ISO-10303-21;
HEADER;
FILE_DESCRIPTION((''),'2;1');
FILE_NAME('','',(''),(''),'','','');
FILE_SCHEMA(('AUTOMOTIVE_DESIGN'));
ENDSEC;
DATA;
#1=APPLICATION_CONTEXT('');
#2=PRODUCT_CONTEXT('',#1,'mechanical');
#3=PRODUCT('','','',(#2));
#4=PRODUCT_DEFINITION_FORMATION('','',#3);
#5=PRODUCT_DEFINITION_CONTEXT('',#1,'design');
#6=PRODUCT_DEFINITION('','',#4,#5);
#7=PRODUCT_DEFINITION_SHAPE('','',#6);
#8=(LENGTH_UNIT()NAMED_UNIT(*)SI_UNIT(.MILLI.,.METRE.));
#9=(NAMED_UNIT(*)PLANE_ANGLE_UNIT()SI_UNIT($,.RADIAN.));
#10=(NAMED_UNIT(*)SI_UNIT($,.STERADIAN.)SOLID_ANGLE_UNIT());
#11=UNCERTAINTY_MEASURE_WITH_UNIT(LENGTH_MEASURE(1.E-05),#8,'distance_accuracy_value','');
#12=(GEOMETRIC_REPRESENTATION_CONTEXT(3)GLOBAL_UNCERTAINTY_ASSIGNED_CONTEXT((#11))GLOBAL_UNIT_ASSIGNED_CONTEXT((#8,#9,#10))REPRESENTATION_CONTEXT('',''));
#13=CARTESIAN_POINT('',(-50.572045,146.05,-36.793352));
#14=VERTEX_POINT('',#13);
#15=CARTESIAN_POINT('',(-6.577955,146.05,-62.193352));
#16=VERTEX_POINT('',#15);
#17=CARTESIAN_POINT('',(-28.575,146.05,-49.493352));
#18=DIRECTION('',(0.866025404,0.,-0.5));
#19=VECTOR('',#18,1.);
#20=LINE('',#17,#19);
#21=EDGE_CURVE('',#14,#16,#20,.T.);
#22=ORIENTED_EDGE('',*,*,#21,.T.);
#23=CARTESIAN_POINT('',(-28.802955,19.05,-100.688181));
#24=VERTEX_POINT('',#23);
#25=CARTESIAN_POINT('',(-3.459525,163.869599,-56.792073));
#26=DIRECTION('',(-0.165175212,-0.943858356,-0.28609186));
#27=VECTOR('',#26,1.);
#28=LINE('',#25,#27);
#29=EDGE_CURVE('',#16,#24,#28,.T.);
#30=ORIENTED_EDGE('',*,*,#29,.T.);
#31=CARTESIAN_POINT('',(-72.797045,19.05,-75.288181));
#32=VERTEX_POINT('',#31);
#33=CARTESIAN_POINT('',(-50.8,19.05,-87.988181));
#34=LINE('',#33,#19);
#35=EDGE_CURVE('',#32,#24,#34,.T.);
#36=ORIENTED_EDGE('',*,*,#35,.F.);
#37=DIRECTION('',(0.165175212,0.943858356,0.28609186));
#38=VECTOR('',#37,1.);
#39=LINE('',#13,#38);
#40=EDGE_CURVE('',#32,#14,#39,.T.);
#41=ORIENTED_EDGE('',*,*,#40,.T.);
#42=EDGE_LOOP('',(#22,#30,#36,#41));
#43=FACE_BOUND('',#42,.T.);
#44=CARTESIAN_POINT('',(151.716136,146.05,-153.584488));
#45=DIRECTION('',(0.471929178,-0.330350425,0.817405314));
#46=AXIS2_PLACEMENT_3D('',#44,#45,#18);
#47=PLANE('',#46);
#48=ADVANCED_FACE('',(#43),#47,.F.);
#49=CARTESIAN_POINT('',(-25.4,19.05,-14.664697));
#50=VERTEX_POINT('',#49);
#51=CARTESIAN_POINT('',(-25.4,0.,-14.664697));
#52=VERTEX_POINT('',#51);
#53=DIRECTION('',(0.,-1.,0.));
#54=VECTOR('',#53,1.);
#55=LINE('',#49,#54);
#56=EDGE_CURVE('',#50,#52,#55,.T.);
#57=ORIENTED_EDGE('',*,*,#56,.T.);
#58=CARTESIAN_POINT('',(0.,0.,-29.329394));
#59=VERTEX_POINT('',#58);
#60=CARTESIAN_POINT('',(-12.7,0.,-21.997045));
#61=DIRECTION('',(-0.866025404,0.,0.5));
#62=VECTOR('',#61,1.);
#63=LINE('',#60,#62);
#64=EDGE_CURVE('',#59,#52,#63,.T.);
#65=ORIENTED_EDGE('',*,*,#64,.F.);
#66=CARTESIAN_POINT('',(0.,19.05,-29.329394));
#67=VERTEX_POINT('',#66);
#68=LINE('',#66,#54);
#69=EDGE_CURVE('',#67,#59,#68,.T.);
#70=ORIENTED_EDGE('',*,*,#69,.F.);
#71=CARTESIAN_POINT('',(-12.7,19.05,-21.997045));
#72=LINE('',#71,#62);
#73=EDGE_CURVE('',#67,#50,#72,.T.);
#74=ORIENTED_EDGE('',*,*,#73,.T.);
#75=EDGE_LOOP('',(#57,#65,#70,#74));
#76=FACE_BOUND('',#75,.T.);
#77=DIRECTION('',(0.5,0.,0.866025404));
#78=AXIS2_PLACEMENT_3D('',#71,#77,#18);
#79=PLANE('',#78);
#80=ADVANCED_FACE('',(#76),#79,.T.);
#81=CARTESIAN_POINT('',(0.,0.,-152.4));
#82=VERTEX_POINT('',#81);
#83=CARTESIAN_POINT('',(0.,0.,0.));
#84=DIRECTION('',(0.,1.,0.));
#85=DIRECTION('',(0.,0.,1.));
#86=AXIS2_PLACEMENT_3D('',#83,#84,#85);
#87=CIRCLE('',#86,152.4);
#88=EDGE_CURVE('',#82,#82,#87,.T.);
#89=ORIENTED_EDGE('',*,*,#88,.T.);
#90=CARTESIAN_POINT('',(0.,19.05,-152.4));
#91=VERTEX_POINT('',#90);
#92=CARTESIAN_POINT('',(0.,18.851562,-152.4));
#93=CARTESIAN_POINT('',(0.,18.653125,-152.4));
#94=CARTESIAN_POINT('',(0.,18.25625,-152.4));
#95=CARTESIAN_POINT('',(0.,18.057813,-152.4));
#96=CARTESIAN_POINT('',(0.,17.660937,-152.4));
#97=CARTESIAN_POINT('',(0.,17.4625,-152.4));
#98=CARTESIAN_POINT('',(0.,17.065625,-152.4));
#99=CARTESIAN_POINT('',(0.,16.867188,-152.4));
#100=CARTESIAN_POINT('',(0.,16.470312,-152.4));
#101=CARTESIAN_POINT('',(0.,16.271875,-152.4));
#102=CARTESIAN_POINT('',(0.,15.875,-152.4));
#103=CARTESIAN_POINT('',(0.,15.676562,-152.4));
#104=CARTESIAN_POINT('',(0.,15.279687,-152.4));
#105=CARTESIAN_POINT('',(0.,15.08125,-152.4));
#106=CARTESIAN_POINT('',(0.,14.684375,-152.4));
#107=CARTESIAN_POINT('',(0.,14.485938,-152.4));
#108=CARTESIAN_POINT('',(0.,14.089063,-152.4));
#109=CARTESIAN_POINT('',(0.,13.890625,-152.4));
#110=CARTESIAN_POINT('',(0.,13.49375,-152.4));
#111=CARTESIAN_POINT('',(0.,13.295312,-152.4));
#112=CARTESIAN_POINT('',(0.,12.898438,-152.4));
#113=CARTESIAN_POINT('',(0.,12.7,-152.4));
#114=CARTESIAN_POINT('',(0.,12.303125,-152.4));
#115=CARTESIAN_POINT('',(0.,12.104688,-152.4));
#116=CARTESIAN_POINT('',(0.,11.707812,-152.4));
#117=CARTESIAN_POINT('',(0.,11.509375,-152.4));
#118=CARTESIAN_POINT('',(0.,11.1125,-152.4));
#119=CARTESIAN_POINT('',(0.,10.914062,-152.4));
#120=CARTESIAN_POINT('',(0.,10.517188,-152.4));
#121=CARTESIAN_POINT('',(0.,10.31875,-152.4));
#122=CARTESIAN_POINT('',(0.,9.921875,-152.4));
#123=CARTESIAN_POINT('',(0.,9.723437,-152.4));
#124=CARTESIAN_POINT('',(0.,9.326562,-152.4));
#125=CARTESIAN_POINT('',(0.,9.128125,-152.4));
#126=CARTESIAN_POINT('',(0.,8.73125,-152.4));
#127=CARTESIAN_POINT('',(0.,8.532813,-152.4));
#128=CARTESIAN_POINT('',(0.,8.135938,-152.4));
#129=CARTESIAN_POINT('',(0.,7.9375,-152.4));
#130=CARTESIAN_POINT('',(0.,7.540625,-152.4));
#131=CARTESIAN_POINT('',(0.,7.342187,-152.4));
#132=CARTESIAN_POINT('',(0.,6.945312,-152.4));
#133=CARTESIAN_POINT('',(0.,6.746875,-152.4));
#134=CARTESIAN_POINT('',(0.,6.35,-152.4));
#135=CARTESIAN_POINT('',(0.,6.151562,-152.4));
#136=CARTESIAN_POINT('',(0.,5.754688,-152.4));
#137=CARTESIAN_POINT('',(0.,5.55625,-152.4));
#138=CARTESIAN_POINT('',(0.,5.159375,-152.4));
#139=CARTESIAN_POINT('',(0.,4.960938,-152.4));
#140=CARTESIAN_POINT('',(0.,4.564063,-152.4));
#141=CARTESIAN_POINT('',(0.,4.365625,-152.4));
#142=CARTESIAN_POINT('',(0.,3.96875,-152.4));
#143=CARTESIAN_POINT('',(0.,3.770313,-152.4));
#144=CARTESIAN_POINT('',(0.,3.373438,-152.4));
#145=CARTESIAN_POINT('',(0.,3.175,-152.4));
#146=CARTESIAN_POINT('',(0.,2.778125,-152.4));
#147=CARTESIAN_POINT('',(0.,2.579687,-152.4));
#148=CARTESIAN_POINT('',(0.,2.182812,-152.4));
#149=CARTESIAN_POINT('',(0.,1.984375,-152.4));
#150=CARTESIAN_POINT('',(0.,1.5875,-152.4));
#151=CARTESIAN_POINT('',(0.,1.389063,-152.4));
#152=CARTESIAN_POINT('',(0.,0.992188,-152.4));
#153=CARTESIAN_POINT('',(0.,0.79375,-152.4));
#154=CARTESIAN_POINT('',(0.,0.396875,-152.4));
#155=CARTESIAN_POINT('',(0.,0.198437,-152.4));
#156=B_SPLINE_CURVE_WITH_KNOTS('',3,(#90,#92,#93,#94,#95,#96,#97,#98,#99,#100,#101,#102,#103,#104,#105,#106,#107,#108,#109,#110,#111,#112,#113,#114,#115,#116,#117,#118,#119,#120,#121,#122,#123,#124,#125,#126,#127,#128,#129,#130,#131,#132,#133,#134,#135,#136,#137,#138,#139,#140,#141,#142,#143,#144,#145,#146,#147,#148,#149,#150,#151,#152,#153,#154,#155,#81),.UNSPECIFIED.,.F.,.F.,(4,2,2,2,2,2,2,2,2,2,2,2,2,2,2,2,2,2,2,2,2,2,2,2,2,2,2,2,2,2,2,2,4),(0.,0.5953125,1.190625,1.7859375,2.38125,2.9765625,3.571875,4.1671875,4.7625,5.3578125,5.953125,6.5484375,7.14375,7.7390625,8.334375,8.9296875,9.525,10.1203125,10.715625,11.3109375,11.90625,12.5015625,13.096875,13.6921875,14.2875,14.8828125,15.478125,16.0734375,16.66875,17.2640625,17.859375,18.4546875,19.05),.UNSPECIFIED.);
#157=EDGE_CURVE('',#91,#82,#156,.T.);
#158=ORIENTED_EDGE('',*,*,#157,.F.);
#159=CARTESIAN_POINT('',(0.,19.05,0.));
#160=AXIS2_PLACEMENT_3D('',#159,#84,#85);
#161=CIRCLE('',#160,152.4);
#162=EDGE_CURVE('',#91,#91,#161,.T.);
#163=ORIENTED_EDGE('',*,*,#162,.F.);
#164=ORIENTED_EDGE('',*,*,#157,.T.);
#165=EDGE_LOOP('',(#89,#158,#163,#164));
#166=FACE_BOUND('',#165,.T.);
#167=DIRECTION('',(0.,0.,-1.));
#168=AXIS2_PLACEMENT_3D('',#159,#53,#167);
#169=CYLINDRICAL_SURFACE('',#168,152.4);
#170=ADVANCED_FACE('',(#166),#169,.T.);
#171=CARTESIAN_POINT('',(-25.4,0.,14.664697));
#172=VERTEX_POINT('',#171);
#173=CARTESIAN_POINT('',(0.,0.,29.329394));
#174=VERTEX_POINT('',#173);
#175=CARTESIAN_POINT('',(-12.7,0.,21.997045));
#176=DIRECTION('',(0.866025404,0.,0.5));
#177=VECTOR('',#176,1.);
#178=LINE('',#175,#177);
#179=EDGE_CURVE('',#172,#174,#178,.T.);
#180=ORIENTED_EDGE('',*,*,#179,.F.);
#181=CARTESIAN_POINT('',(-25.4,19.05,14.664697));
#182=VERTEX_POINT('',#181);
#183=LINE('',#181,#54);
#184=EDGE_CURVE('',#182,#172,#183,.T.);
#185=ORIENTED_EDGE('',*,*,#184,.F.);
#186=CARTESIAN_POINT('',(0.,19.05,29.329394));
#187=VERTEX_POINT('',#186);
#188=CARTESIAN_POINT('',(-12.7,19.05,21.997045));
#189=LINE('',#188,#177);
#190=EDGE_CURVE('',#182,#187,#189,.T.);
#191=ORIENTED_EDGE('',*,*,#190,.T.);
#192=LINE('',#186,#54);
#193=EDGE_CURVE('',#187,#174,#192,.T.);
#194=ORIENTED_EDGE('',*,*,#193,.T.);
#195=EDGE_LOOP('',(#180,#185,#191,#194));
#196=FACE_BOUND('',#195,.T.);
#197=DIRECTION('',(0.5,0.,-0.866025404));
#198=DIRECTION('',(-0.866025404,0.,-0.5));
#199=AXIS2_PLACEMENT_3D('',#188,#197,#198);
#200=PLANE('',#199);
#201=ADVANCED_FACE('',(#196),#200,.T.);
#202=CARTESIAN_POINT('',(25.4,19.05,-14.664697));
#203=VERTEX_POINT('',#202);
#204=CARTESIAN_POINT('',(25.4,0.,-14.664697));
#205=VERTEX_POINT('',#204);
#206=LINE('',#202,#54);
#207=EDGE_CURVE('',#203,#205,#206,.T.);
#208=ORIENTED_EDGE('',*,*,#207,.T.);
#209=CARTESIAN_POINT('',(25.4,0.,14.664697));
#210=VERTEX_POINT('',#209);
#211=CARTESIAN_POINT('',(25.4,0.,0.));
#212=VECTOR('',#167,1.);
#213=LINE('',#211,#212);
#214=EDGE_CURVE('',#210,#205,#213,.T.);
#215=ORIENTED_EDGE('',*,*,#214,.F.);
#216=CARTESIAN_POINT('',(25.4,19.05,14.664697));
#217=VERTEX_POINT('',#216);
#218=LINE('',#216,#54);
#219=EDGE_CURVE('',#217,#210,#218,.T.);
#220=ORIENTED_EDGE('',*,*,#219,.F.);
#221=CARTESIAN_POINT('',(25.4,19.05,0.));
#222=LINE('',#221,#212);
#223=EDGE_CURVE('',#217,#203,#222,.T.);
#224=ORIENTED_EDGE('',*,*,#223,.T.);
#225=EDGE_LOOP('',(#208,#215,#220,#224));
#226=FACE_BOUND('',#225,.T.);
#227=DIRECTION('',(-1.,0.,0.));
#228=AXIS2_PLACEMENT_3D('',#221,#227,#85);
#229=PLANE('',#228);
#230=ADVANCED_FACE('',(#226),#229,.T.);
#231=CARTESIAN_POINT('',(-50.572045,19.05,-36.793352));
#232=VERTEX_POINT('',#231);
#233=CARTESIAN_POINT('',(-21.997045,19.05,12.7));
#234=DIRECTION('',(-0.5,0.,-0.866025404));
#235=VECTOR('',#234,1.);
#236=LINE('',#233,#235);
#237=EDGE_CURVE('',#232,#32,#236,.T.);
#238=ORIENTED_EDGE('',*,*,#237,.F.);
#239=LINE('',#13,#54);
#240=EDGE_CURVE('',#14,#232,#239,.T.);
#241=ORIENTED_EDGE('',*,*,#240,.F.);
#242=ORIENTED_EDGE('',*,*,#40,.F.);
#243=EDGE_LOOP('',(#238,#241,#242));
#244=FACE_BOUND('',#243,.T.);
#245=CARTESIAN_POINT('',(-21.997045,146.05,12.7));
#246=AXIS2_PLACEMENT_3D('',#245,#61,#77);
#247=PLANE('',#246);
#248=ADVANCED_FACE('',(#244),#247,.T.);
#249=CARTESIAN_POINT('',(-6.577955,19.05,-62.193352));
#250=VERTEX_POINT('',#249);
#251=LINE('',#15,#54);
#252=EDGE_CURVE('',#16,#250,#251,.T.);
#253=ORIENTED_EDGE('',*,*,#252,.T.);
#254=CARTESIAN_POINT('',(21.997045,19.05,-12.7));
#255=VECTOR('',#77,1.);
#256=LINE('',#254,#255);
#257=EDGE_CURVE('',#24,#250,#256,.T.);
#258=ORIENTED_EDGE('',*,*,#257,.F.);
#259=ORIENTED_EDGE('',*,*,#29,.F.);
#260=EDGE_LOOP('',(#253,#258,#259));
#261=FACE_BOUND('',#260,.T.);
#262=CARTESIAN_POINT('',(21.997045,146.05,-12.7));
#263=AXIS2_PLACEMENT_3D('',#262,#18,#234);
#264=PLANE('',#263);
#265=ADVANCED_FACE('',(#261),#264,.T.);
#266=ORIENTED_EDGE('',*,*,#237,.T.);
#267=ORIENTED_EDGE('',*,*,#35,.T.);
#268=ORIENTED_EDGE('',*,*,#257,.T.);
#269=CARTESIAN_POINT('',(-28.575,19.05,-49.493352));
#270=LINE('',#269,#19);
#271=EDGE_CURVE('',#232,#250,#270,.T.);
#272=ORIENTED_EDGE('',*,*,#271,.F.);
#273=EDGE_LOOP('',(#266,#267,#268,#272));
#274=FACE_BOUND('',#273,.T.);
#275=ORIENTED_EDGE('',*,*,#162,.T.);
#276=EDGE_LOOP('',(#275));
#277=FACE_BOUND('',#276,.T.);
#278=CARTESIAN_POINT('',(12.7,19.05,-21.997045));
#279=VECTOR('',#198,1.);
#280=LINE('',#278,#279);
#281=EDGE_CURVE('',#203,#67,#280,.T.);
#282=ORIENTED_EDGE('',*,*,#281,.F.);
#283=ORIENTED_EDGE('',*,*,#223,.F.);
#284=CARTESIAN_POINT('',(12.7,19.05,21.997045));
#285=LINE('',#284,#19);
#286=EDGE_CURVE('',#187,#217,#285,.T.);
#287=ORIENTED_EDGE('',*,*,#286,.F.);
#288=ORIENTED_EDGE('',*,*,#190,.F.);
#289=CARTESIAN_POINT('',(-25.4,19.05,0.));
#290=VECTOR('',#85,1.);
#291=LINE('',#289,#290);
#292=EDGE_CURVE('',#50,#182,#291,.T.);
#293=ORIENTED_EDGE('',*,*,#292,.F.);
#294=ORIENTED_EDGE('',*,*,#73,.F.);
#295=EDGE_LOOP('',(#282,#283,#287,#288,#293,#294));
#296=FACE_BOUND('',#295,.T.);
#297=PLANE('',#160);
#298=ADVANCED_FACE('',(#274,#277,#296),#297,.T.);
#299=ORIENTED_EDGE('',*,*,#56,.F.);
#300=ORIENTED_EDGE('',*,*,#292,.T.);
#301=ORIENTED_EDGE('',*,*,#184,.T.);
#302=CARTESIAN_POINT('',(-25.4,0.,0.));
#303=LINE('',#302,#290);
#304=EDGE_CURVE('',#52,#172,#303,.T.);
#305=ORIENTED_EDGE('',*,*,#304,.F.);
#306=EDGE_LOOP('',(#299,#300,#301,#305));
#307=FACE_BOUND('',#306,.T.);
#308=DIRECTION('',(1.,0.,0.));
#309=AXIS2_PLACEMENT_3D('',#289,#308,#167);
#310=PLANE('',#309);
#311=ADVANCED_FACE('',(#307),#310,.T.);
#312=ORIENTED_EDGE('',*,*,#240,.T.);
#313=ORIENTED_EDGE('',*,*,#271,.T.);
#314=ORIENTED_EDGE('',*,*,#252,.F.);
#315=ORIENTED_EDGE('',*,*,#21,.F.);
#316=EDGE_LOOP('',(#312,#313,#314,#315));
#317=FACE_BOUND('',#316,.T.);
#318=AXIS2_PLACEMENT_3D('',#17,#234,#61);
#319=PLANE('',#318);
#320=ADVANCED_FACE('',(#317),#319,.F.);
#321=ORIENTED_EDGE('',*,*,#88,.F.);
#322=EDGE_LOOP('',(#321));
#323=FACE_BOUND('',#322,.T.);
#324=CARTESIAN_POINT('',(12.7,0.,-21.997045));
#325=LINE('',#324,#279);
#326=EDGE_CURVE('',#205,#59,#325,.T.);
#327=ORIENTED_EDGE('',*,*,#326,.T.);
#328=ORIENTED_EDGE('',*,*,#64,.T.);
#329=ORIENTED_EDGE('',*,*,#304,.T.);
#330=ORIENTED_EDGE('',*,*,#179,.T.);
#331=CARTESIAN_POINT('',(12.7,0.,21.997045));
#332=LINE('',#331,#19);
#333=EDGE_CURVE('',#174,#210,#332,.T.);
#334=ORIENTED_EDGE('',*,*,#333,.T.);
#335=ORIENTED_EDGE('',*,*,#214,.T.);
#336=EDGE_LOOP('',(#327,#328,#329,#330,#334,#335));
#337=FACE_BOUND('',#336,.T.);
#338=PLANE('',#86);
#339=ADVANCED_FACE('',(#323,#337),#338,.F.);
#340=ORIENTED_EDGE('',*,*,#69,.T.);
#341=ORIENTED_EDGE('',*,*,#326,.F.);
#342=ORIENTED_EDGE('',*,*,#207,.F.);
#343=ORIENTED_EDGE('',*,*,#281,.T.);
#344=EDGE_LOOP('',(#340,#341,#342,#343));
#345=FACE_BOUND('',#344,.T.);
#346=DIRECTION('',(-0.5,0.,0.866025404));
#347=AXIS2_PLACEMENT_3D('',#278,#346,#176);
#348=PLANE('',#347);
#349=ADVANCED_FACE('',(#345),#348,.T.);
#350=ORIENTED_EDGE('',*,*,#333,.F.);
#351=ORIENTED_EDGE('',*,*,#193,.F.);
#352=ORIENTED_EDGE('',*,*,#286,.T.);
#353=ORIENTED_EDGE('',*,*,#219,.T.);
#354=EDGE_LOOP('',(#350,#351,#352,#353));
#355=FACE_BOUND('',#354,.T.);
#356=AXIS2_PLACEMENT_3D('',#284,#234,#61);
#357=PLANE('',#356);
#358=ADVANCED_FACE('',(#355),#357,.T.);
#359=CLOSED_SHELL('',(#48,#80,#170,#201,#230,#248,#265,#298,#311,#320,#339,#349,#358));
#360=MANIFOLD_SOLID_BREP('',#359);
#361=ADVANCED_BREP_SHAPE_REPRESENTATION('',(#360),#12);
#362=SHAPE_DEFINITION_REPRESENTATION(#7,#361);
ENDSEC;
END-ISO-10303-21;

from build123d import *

# Parameters (mm, degrees)
BOSS_EXTRUDE1_DEPTH = 19.05
BOSS_EXTRUDE2_DEPTH = 127
CUT_EXTRUDE1_DEPTH  = 282.074619797


with BuildPart() as part:
    # Sketch2 → Boss-Extrude1 (new body)
    # profile 1 of 5: a face of its own
    with BuildSketch(Plane(origin=(0, 0, 0), x_dir=(1, 0, 0), z_dir=(0, 1, 0))):
        with BuildLine():
            ThreePointArc((-149.056021348, 31.75), (-151.561699735, 15.962805935), (-152.4, 0))
            Line((-152.4, 0), (-139.7, 0))
            Line((-139.7, 0), (-139.7, 31.75))
            Line((-139.7, 31.75), (-149.056021348, 31.75))
        make_face()
    # profile 2 of 5: a face of its own
    with BuildSketch(Plane(origin=(0, 0, 0), x_dir=(1, 0, 0), z_dir=(0, 1, 0))):
        with BuildLine():
            ThreePointArc((0, 152.4), (-15.962805935, 151.561699735), (-31.75, 149.056021348))
            Line((-31.75, 149.056021348), (-31.75, 139.7))
            Line((-31.75, 139.7), (0, 139.7))
            Line((0, 139.7), (0, 152.4))
        make_face()
    # profile 3 of 5: a face of its own
    with BuildSketch(Plane(origin=(0, 0, 0), x_dir=(1, 0, 0), z_dir=(0, 1, 0))):
        with BuildLine():
            Line((139.7, -31.75), (149.056021348, -31.75))
            ThreePointArc((149.056021348, -31.75), (151.561699735, -15.962805935), (152.4, 0))
            Line((152.4, 0), (139.7, 0))
            Line((139.7, 0), (139.7, -31.75))
        make_face()
    # profile 4 of 5: a face of its own
    with BuildSketch(Plane(origin=(0, 0, 0), x_dir=(1, 0, 0), z_dir=(0, 1, 0))):
        with BuildLine():
            Line((0, -139.7), (0, -152.4))
            ThreePointArc((0, -152.4), (15.962805935, -151.561699735), (31.75, -149.056021348))
            Line((31.75, -149.056021348), (31.75, -139.7))
            Line((31.75, -139.7), (0, -139.7))
        make_face()
    # profile 5 of 5: a face of its own
    with BuildSketch(Plane(origin=(0, 0, 0), x_dir=(1, 0, 0), z_dir=(0, 1, 0))):
        with BuildLine():
            Line((-139.7, 0), (-152.4, 0))
            ThreePointArc((-152.4, 0), (-107.763073453, -107.763073453), (0, -152.4))
            Line((0, -152.4), (0, -139.7))
            Line((0, -139.7), (31.75, -139.7))
            Line((31.75, -139.7), (31.75, -149.056021348))
            ThreePointArc((31.75, -149.056021348), (107.763073453, -107.763073453), (149.056021348, -31.75))
            Line((149.056021348, -31.75), (139.7, -31.75))
            Line((139.7, -31.75), (139.7, 0))
            Line((139.7, 0), (152.4, 0))
            ThreePointArc((152.4, 0), (107.763073453, 107.763073453), (0, 152.4))
            Line((0, 152.4), (0, 139.7))
            Line((0, 139.7), (-31.75, 139.7))
            Line((-31.75, 139.7), (-31.75, 149.056021348))
            ThreePointArc((-31.75, 149.056021348), (-107.763073453, 107.763073453), (-149.056021348, 31.75))
            Line((-149.056021348, 31.75), (-139.7, 31.75))
            Line((-139.7, 31.75), (-139.7, 0))
        make_face()
        Polygon((-25.4, 14.664696837), (0, 29.329393675), (25.4, 14.664696837), (25.4, -14.664696837), (0, -29.329393675), (-25.4, -14.664696837), align=None, mode=Mode.SUBTRACT)
    extrude(amount=BOSS_EXTRUDE1_DEPTH)

    # Sketch3 → Boss-Extrude2 (add)
    with BuildSketch(Plane(origin=(0, 19.05, 0), x_dir=(1, 0, 0), z_dir=(0, 1, 0))):
        Polygon((-50.572045256, 36.793351826), (-72.797045256, 75.288181024), (-28.802954744, 100.688181024), (-6.577954744, 62.193351826), align=None)
    extrude(amount=BOSS_EXTRUDE2_DEPTH)

    # Sketch5 → Cut-Extrude1 (cut, through all)
    with BuildSketch(Plane(origin=(-21.997045256, 0, 12.7), x_dir=(0.5, 0, 0.8660254037844386), z_dir=(-0.8660254037844387, 0, 0.5000000000000001))):
        Polygon((-101.6, 19.05), (-101.6, 146.05), (-57.15, 146.05), align=None)
    extrude(amount=-CUT_EXTRUDE1_DEPTH, mode=Mode.SUBTRACT)


solid = part.part
